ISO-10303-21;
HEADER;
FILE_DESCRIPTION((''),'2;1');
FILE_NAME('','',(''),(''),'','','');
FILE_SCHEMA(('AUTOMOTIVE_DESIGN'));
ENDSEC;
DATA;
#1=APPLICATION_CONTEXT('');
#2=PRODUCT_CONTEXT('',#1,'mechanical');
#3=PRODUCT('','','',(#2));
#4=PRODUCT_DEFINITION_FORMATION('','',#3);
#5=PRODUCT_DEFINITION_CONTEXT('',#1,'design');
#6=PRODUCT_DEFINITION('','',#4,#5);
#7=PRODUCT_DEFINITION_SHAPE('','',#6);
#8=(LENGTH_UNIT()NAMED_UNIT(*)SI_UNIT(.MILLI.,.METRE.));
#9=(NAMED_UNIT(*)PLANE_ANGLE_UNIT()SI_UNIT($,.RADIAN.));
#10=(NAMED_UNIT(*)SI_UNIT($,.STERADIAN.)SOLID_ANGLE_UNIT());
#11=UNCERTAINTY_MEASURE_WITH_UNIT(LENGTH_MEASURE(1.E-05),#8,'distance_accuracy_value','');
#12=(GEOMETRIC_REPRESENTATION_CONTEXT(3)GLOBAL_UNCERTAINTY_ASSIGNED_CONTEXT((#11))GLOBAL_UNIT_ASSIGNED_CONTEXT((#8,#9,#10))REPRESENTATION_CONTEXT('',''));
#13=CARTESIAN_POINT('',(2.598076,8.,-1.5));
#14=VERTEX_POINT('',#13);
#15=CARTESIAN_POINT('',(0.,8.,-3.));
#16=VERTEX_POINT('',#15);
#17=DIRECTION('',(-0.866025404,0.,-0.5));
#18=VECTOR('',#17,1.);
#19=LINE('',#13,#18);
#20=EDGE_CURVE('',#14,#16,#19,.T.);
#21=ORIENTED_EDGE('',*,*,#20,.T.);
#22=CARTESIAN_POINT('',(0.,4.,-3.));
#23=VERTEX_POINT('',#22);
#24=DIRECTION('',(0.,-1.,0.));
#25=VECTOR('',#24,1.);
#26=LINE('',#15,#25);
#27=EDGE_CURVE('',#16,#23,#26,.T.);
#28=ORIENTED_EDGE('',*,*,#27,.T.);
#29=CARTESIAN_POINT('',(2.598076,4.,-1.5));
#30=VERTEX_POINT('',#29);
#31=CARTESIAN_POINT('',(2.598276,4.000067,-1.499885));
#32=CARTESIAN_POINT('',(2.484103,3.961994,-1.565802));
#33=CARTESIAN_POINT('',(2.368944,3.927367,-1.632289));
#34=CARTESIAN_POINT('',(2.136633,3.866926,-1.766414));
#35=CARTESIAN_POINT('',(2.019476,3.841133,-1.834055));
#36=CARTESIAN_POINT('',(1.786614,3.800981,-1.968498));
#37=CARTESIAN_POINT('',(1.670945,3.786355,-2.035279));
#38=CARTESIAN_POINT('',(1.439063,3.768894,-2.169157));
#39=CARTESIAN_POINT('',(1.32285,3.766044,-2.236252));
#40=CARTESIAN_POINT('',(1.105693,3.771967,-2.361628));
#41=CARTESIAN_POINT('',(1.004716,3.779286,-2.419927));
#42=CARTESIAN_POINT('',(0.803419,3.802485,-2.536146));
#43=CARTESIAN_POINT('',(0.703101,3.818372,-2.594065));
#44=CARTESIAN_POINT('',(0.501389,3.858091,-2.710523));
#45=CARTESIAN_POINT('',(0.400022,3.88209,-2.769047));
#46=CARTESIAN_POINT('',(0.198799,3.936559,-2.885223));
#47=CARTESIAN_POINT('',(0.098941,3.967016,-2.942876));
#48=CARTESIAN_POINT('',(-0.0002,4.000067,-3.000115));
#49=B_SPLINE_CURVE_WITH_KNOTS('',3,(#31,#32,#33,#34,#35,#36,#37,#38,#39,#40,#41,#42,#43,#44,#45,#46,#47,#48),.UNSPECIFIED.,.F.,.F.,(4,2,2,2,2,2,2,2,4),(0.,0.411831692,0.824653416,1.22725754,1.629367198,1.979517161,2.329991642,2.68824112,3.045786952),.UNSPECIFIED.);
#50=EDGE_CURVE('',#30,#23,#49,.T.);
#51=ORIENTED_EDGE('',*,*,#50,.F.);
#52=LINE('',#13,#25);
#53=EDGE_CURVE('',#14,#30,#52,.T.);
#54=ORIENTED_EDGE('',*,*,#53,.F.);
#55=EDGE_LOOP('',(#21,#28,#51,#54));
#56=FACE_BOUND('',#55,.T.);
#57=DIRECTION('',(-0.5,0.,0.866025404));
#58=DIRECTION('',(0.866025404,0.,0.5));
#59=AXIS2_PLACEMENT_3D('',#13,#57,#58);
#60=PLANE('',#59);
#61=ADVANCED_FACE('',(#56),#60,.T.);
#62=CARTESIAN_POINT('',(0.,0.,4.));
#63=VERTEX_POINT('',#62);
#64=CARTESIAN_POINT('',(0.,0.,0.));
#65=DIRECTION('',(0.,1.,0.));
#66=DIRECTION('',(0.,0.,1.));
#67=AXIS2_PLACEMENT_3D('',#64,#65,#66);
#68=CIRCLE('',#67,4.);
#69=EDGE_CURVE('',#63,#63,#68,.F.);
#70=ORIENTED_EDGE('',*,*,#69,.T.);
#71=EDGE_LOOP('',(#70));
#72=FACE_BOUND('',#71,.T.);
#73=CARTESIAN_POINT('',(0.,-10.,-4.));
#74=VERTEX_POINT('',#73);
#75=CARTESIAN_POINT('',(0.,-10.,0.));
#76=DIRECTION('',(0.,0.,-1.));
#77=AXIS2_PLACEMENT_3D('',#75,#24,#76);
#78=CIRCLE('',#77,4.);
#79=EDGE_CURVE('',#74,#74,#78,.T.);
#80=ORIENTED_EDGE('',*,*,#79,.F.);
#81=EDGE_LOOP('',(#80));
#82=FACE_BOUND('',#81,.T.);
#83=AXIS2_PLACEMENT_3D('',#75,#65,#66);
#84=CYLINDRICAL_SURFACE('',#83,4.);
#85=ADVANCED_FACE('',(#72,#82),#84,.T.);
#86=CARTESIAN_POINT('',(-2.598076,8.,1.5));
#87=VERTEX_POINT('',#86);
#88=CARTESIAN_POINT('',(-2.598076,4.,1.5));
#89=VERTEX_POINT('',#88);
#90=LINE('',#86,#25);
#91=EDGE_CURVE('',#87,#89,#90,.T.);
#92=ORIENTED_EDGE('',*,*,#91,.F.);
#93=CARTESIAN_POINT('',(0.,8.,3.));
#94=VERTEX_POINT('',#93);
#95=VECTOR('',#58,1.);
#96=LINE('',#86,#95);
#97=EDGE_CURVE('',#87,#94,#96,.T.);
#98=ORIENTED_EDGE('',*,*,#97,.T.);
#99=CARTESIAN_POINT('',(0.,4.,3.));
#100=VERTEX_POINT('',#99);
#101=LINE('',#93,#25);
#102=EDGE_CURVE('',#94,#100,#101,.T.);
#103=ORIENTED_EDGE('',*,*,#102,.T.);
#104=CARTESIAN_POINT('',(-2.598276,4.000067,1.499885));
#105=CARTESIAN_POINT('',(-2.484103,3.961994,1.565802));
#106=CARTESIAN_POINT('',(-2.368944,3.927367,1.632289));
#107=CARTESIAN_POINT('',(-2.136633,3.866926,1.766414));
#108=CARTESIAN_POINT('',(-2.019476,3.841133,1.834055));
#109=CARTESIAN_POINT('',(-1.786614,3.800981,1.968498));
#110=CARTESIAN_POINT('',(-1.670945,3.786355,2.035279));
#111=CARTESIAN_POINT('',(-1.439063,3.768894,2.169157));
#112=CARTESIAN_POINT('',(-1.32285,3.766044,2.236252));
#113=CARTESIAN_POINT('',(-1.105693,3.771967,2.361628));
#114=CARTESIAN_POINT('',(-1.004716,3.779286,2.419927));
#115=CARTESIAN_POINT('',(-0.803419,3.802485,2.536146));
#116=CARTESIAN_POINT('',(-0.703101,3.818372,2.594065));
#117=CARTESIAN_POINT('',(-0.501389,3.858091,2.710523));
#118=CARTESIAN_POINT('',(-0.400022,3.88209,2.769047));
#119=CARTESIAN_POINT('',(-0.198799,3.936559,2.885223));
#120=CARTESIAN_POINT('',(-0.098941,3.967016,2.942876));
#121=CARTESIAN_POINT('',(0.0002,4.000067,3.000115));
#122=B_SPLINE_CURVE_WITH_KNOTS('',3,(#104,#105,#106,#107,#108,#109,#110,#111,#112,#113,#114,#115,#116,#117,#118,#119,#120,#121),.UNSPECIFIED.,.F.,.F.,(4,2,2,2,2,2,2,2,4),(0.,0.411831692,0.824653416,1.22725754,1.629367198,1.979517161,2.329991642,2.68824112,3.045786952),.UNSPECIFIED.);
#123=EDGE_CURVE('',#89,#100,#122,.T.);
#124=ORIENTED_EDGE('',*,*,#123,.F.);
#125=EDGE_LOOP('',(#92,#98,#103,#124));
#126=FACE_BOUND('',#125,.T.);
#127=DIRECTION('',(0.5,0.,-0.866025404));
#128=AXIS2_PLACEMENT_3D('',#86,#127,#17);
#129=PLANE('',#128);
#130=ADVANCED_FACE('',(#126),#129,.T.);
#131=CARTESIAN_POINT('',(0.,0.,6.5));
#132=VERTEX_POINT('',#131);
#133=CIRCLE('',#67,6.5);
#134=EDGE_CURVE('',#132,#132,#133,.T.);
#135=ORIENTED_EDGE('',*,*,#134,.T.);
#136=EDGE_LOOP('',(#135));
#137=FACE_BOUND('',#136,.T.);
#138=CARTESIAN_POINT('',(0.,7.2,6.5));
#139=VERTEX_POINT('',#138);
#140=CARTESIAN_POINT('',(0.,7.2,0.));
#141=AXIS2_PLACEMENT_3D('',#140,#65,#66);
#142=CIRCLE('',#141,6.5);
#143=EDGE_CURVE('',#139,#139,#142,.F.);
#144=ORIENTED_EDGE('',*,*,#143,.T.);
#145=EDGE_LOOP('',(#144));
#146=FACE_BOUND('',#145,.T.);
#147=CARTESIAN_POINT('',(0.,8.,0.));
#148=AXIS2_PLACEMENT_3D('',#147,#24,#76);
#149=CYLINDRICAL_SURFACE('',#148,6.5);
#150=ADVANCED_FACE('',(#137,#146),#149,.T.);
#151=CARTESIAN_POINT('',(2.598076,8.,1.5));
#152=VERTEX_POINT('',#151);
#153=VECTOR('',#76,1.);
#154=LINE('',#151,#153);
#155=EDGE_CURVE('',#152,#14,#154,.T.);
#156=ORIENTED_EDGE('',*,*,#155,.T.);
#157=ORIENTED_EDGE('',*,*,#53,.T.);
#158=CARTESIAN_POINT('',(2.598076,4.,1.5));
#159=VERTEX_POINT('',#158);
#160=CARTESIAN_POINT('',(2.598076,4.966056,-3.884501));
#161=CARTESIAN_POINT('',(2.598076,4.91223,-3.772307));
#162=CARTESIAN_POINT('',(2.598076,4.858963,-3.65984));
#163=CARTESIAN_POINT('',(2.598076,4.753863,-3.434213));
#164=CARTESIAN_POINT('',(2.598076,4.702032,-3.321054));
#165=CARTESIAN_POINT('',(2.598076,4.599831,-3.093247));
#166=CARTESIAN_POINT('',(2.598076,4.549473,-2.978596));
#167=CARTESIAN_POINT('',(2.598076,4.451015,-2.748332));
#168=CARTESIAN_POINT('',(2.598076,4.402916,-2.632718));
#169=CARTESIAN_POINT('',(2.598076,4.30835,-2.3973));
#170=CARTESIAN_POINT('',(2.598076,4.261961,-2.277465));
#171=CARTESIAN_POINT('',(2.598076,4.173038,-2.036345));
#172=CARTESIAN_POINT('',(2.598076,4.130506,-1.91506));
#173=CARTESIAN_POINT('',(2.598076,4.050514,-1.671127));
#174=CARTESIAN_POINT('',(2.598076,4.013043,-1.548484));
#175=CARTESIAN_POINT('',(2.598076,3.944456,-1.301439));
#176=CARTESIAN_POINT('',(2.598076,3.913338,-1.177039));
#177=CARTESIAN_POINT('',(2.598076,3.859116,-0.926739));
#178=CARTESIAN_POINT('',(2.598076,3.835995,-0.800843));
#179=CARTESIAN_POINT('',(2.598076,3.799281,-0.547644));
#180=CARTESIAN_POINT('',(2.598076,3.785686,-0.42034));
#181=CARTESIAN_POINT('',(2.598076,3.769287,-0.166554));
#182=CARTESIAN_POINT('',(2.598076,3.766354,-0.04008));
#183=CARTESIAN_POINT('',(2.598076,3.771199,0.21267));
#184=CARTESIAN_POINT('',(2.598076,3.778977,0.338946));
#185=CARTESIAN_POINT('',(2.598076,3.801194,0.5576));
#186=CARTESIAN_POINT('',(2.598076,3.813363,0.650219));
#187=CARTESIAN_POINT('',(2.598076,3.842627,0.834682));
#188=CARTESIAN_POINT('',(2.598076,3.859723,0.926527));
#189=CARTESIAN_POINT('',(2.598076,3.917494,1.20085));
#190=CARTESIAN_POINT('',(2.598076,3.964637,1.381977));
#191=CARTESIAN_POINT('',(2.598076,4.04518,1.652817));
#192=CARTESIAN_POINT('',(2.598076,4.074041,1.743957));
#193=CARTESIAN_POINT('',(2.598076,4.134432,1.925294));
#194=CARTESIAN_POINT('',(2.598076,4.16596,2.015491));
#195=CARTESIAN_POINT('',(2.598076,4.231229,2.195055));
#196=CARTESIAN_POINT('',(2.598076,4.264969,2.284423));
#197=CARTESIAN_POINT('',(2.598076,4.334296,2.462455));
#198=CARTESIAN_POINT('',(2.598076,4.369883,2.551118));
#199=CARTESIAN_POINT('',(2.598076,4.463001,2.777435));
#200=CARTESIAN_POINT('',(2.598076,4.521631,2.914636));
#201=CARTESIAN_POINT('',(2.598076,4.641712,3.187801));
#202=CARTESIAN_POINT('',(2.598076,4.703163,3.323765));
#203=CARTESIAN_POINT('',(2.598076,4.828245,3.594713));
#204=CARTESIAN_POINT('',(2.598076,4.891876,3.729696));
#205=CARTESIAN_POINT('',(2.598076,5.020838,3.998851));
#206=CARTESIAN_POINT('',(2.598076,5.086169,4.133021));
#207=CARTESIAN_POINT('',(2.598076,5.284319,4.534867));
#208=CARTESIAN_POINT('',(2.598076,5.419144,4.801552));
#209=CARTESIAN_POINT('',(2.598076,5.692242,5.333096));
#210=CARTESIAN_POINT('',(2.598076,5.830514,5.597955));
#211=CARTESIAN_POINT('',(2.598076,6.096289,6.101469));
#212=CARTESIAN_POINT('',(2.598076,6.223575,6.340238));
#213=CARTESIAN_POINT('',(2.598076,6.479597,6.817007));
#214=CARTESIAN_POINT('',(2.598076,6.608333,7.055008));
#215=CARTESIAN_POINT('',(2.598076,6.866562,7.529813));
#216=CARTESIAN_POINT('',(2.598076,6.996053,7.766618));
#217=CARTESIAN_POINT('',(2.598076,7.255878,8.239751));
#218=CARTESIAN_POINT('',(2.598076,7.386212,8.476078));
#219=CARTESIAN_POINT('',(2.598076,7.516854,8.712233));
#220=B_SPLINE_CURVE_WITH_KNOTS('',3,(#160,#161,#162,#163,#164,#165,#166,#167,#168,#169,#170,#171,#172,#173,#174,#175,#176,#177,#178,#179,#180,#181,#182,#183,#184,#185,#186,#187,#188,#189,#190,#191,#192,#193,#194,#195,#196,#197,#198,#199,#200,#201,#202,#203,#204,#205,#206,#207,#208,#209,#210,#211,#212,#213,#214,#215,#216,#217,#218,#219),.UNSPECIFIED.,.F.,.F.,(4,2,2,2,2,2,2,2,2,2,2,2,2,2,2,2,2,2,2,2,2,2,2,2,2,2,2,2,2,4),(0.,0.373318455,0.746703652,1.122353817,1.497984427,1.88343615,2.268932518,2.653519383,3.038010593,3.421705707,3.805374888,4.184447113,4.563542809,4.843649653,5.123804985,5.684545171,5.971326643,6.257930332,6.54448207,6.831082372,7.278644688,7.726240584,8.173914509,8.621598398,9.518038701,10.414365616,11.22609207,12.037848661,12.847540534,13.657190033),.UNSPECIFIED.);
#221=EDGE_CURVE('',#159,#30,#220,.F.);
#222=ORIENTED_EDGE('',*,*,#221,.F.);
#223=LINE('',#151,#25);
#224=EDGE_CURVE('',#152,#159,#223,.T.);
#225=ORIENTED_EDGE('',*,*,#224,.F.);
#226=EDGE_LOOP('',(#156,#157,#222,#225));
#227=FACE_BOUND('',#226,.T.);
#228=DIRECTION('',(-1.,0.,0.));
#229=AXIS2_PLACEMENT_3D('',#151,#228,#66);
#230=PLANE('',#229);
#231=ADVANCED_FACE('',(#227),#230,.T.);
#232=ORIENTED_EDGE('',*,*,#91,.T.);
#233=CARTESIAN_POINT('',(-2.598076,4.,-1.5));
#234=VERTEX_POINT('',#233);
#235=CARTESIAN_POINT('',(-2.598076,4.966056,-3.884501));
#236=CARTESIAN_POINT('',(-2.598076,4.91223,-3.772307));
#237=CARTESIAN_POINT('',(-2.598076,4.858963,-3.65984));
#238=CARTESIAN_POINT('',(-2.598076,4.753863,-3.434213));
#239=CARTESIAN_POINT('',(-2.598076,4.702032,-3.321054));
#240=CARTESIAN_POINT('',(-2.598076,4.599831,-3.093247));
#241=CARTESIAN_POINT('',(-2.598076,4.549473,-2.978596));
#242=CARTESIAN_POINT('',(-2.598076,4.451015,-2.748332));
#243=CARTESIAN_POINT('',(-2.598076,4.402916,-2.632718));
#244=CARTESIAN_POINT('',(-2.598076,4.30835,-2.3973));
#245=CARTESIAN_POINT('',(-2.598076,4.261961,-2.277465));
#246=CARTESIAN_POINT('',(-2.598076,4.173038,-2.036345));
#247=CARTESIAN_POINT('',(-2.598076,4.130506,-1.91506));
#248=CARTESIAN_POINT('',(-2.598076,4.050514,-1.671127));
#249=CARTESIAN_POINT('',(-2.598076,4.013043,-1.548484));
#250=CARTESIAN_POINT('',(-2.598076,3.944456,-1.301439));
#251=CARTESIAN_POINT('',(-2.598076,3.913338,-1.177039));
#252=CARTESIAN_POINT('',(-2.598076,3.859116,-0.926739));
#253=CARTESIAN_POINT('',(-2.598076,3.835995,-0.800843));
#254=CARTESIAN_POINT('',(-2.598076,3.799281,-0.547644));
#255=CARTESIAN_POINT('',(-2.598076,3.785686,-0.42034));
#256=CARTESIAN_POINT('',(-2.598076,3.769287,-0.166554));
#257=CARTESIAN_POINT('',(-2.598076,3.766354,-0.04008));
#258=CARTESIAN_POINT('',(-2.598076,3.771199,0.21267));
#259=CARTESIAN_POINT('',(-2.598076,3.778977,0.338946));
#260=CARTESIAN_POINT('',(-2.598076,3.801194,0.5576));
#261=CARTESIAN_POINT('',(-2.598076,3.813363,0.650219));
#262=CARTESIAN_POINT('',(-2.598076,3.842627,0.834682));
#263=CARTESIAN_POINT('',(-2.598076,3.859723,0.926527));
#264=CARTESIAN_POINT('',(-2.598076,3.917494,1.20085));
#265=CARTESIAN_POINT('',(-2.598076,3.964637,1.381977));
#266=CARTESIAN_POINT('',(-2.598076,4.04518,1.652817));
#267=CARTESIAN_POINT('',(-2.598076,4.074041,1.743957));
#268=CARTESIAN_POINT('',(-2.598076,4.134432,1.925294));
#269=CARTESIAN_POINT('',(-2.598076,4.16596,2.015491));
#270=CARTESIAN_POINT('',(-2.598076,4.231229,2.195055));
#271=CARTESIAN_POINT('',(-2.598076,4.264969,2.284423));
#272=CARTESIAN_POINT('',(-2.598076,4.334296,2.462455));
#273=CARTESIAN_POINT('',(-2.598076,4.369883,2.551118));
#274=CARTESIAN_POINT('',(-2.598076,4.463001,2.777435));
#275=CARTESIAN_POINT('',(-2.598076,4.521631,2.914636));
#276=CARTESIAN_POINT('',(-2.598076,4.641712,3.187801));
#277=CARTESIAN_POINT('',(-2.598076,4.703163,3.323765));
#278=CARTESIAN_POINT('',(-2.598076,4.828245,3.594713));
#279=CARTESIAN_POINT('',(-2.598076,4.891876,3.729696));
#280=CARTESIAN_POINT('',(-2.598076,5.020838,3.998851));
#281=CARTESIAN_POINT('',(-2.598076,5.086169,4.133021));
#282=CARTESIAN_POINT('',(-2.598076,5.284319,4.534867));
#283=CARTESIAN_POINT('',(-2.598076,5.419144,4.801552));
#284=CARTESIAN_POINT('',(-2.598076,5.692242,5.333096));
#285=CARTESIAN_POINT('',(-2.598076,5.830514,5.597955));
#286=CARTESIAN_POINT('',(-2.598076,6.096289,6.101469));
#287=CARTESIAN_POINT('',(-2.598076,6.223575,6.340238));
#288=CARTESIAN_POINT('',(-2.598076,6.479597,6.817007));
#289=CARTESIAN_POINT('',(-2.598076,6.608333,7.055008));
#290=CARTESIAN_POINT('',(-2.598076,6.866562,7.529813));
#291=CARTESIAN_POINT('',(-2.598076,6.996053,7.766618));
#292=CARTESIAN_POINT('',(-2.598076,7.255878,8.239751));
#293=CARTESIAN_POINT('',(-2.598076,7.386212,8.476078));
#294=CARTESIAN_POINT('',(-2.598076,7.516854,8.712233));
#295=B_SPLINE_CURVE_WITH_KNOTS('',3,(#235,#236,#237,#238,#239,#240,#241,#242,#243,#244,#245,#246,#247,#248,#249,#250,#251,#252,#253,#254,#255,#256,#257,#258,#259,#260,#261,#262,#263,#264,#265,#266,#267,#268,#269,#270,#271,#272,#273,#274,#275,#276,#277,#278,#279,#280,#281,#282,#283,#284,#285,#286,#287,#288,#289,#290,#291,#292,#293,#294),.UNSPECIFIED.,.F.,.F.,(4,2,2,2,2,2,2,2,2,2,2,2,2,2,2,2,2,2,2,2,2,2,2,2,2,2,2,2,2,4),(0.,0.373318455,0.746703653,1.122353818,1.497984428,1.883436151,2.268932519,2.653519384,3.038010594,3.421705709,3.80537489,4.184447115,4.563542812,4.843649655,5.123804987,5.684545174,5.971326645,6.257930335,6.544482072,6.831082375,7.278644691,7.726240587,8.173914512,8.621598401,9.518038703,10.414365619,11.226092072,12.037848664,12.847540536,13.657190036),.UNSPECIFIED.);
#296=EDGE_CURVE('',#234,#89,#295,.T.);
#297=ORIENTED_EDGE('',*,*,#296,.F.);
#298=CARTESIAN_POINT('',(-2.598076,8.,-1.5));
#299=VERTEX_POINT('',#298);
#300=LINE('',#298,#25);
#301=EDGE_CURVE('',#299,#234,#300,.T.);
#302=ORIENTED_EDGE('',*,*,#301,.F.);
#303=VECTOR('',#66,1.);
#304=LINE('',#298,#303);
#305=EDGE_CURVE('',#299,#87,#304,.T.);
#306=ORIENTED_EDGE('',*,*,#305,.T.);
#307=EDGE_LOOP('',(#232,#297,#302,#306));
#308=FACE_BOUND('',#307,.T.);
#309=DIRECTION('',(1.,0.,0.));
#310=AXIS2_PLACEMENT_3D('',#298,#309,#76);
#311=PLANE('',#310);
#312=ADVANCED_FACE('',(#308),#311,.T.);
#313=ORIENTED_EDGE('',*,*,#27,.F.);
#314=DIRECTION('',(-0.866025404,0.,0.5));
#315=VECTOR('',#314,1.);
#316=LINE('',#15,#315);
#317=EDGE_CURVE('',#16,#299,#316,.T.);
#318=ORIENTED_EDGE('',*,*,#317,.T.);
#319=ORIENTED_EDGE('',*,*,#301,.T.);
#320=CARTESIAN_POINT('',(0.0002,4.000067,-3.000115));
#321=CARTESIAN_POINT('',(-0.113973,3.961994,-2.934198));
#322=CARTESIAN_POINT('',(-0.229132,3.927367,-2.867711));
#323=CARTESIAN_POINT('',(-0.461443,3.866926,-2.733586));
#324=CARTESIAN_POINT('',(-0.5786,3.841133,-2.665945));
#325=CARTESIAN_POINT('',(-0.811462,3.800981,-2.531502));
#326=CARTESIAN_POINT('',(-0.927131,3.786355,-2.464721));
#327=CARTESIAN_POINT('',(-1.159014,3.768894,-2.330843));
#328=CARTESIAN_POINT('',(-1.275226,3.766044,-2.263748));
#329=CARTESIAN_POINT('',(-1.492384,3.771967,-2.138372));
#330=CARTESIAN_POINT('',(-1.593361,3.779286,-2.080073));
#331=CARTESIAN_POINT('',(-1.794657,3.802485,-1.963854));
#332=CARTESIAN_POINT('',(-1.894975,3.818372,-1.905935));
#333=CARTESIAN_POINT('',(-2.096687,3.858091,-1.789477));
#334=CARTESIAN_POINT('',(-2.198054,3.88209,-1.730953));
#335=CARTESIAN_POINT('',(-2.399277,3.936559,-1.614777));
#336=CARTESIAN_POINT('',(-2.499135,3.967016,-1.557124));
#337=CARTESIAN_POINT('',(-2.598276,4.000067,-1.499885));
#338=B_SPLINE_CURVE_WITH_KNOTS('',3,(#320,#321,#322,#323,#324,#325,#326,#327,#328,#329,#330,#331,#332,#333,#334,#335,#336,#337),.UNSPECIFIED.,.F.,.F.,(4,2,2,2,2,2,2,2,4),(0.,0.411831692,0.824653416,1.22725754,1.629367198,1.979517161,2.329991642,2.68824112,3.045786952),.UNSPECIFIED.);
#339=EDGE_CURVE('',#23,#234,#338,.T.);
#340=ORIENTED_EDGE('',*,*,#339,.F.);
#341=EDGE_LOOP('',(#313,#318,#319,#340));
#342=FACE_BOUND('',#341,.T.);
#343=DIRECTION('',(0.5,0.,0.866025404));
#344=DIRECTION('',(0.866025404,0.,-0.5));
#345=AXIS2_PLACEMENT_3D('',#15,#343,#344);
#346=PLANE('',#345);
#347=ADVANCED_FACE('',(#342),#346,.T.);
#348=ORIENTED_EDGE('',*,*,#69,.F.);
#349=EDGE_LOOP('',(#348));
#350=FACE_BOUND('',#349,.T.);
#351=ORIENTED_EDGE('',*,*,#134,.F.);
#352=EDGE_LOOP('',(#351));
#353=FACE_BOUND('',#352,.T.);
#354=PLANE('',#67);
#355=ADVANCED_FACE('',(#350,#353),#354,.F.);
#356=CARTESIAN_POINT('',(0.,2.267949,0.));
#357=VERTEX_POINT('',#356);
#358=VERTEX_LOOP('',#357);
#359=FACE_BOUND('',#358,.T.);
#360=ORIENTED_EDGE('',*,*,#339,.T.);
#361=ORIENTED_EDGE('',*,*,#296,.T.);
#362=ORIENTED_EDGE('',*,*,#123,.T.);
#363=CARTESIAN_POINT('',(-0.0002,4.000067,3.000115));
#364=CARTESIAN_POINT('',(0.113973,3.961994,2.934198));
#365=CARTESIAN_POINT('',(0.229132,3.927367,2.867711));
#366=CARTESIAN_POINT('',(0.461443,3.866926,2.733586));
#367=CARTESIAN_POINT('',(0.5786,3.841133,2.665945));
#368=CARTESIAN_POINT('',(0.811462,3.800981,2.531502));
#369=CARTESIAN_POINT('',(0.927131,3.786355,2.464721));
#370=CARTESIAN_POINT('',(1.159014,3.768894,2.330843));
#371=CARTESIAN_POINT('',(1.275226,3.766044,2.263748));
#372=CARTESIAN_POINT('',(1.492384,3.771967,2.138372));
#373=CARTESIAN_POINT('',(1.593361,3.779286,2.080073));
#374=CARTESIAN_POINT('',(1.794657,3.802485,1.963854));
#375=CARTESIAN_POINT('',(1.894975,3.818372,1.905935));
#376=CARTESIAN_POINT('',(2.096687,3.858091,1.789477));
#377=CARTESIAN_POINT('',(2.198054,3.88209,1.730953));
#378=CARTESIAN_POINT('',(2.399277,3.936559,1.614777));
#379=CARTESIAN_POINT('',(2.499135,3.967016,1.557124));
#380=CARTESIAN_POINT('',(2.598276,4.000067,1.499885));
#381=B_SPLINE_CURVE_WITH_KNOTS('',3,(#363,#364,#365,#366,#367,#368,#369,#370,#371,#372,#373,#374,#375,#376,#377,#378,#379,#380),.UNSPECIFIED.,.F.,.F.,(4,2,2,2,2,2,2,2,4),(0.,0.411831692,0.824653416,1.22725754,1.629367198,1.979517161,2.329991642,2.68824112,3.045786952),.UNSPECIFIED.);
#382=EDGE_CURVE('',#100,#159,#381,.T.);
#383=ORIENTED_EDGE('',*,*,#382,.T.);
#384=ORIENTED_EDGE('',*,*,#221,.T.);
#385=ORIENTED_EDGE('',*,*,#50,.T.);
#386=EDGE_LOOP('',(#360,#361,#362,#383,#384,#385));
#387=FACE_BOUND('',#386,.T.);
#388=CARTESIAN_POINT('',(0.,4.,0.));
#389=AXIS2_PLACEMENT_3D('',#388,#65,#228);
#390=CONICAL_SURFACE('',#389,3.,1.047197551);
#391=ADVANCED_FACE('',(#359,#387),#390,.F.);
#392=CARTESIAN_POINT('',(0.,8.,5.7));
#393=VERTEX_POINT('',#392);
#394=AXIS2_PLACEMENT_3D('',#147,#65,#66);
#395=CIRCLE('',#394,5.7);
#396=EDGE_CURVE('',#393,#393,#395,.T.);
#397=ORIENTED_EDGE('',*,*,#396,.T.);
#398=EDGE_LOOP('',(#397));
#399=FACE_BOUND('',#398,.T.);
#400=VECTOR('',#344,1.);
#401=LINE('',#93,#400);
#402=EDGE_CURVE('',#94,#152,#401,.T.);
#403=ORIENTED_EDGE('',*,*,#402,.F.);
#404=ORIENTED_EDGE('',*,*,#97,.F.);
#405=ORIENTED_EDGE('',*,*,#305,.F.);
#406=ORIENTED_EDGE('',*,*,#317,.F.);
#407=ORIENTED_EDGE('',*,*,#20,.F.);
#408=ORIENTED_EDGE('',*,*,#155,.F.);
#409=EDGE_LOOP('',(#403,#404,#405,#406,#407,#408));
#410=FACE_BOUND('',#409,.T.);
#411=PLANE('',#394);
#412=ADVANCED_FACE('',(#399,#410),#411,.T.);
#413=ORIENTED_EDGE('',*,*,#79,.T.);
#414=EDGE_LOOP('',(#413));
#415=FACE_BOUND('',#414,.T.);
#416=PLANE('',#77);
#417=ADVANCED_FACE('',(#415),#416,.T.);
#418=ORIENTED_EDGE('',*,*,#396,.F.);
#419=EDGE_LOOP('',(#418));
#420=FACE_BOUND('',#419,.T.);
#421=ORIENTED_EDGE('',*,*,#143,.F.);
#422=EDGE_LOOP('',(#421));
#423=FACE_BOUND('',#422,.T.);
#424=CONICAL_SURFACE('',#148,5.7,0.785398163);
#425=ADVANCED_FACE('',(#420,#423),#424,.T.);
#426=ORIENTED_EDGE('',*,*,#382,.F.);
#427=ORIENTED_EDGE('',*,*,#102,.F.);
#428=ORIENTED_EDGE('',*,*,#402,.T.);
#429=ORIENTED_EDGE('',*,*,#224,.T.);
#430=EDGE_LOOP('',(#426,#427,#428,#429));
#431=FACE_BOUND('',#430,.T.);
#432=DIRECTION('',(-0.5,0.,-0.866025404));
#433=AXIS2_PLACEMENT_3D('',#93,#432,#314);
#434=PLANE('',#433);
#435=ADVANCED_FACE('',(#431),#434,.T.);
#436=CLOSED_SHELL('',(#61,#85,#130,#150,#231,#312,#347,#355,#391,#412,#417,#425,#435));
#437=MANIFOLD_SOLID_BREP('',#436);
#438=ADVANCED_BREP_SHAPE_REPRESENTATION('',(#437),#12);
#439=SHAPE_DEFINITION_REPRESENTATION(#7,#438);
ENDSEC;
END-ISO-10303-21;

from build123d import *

# Parameters (mm, degrees)
CROQUIS4_R              = 6.5
SALIENTE_EXTRUIR3_DEPTH = 8
CHAFL_N2_SIZE           = 0.8
CROQUIS6_5_R            = 4
SALIENTE_EXTRUIR7_DEPTH = 10


with BuildPart() as part:
    # Croquis4 → Saliente-Extruir3 (new body)
    with BuildSketch(Plane(origin=(0, 0, 0), x_dir=(1, 0, 0), z_dir=(0, 1, 0))):
        Circle(CROQUIS4_R)
        Polygon((0, 3), (-2.598076211, 1.5), (-2.598076211, -1.5), (0, -3), (2.598076211, -1.5), (2.598076211, 1.5), align=None, mode=Mode.SUBTRACT)
    extrude(amount=SALIENTE_EXTRUIR3_DEPTH)

    # Chaflán2
    chafl_n2_edges = [part.edges().sort_by_distance(p)[0] for p in [
        (-6.5, 8, 0),
    ]]
    chamfer(chafl_n2_edges, length=CHAFL_N2_SIZE)

    # Croquis5 → Revolución2 (revolve)
    with BuildSketch(Plane.XY):
        Polygon((0, 0), (0, 2.267949192), (3, 4), (6.5, 4), (6.5, 0), align=None)
    revolve(axis=Axis((0, 0, 0), (0, 1, 0)))

    # Croquis6<5> → Saliente-Extruir7 (add)
    with BuildSketch(Plane.XZ):
        Circle(CROQUIS6_5_R)
    extrude(amount=SALIENTE_EXTRUIR7_DEPTH)


solid = part.part
